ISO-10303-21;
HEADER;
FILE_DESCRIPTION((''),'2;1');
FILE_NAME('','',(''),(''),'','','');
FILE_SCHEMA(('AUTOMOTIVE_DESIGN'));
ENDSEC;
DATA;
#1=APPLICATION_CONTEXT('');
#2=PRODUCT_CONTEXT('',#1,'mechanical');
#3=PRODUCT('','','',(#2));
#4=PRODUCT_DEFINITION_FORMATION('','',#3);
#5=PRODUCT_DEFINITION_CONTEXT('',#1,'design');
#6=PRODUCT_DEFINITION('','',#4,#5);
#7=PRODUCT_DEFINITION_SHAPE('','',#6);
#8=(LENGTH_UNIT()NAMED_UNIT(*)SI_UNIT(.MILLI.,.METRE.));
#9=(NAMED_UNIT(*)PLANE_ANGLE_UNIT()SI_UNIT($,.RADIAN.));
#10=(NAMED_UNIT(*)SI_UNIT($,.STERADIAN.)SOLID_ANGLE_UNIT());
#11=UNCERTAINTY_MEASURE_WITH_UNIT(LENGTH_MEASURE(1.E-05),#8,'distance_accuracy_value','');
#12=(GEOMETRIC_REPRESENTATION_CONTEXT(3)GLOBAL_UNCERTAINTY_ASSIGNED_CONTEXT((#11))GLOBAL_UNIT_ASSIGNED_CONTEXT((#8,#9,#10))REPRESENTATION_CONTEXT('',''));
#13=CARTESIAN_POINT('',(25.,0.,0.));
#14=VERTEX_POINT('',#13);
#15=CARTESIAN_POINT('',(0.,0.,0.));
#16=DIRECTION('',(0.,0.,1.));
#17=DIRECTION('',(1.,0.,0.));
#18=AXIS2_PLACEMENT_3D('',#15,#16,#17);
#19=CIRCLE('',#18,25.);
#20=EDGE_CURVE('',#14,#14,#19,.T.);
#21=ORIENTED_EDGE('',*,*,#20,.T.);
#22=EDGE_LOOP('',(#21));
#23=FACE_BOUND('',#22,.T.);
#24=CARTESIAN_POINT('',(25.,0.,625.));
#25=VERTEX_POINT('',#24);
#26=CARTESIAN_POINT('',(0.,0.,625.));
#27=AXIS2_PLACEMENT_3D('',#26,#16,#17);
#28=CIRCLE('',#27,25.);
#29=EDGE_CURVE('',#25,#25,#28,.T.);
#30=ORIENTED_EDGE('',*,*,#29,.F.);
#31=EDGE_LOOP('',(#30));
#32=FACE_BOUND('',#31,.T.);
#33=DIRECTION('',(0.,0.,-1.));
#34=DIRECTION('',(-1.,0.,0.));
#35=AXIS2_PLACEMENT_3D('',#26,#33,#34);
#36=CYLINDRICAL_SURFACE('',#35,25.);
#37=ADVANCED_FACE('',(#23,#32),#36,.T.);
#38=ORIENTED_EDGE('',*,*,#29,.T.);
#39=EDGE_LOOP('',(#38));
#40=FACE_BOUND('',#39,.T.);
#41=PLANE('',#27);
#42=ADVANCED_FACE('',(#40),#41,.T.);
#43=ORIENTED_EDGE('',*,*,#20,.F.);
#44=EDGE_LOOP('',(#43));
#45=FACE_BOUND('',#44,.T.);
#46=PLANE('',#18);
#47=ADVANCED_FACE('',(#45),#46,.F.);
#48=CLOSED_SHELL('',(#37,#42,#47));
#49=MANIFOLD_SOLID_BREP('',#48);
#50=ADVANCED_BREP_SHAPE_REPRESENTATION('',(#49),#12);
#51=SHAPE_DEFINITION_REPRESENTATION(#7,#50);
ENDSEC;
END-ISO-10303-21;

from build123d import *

# Parameters (mm, degrees)
SKETCH1_R           = 25
BOSS_EXTRUDE1_DEPTH = 625


with BuildPart() as part:
    # Sketch1 → Boss-Extrude1 (new body)
    with BuildSketch(Plane.XY):
        Circle(SKETCH1_R)
    extrude(amount=BOSS_EXTRUDE1_DEPTH)


solid = part.part
